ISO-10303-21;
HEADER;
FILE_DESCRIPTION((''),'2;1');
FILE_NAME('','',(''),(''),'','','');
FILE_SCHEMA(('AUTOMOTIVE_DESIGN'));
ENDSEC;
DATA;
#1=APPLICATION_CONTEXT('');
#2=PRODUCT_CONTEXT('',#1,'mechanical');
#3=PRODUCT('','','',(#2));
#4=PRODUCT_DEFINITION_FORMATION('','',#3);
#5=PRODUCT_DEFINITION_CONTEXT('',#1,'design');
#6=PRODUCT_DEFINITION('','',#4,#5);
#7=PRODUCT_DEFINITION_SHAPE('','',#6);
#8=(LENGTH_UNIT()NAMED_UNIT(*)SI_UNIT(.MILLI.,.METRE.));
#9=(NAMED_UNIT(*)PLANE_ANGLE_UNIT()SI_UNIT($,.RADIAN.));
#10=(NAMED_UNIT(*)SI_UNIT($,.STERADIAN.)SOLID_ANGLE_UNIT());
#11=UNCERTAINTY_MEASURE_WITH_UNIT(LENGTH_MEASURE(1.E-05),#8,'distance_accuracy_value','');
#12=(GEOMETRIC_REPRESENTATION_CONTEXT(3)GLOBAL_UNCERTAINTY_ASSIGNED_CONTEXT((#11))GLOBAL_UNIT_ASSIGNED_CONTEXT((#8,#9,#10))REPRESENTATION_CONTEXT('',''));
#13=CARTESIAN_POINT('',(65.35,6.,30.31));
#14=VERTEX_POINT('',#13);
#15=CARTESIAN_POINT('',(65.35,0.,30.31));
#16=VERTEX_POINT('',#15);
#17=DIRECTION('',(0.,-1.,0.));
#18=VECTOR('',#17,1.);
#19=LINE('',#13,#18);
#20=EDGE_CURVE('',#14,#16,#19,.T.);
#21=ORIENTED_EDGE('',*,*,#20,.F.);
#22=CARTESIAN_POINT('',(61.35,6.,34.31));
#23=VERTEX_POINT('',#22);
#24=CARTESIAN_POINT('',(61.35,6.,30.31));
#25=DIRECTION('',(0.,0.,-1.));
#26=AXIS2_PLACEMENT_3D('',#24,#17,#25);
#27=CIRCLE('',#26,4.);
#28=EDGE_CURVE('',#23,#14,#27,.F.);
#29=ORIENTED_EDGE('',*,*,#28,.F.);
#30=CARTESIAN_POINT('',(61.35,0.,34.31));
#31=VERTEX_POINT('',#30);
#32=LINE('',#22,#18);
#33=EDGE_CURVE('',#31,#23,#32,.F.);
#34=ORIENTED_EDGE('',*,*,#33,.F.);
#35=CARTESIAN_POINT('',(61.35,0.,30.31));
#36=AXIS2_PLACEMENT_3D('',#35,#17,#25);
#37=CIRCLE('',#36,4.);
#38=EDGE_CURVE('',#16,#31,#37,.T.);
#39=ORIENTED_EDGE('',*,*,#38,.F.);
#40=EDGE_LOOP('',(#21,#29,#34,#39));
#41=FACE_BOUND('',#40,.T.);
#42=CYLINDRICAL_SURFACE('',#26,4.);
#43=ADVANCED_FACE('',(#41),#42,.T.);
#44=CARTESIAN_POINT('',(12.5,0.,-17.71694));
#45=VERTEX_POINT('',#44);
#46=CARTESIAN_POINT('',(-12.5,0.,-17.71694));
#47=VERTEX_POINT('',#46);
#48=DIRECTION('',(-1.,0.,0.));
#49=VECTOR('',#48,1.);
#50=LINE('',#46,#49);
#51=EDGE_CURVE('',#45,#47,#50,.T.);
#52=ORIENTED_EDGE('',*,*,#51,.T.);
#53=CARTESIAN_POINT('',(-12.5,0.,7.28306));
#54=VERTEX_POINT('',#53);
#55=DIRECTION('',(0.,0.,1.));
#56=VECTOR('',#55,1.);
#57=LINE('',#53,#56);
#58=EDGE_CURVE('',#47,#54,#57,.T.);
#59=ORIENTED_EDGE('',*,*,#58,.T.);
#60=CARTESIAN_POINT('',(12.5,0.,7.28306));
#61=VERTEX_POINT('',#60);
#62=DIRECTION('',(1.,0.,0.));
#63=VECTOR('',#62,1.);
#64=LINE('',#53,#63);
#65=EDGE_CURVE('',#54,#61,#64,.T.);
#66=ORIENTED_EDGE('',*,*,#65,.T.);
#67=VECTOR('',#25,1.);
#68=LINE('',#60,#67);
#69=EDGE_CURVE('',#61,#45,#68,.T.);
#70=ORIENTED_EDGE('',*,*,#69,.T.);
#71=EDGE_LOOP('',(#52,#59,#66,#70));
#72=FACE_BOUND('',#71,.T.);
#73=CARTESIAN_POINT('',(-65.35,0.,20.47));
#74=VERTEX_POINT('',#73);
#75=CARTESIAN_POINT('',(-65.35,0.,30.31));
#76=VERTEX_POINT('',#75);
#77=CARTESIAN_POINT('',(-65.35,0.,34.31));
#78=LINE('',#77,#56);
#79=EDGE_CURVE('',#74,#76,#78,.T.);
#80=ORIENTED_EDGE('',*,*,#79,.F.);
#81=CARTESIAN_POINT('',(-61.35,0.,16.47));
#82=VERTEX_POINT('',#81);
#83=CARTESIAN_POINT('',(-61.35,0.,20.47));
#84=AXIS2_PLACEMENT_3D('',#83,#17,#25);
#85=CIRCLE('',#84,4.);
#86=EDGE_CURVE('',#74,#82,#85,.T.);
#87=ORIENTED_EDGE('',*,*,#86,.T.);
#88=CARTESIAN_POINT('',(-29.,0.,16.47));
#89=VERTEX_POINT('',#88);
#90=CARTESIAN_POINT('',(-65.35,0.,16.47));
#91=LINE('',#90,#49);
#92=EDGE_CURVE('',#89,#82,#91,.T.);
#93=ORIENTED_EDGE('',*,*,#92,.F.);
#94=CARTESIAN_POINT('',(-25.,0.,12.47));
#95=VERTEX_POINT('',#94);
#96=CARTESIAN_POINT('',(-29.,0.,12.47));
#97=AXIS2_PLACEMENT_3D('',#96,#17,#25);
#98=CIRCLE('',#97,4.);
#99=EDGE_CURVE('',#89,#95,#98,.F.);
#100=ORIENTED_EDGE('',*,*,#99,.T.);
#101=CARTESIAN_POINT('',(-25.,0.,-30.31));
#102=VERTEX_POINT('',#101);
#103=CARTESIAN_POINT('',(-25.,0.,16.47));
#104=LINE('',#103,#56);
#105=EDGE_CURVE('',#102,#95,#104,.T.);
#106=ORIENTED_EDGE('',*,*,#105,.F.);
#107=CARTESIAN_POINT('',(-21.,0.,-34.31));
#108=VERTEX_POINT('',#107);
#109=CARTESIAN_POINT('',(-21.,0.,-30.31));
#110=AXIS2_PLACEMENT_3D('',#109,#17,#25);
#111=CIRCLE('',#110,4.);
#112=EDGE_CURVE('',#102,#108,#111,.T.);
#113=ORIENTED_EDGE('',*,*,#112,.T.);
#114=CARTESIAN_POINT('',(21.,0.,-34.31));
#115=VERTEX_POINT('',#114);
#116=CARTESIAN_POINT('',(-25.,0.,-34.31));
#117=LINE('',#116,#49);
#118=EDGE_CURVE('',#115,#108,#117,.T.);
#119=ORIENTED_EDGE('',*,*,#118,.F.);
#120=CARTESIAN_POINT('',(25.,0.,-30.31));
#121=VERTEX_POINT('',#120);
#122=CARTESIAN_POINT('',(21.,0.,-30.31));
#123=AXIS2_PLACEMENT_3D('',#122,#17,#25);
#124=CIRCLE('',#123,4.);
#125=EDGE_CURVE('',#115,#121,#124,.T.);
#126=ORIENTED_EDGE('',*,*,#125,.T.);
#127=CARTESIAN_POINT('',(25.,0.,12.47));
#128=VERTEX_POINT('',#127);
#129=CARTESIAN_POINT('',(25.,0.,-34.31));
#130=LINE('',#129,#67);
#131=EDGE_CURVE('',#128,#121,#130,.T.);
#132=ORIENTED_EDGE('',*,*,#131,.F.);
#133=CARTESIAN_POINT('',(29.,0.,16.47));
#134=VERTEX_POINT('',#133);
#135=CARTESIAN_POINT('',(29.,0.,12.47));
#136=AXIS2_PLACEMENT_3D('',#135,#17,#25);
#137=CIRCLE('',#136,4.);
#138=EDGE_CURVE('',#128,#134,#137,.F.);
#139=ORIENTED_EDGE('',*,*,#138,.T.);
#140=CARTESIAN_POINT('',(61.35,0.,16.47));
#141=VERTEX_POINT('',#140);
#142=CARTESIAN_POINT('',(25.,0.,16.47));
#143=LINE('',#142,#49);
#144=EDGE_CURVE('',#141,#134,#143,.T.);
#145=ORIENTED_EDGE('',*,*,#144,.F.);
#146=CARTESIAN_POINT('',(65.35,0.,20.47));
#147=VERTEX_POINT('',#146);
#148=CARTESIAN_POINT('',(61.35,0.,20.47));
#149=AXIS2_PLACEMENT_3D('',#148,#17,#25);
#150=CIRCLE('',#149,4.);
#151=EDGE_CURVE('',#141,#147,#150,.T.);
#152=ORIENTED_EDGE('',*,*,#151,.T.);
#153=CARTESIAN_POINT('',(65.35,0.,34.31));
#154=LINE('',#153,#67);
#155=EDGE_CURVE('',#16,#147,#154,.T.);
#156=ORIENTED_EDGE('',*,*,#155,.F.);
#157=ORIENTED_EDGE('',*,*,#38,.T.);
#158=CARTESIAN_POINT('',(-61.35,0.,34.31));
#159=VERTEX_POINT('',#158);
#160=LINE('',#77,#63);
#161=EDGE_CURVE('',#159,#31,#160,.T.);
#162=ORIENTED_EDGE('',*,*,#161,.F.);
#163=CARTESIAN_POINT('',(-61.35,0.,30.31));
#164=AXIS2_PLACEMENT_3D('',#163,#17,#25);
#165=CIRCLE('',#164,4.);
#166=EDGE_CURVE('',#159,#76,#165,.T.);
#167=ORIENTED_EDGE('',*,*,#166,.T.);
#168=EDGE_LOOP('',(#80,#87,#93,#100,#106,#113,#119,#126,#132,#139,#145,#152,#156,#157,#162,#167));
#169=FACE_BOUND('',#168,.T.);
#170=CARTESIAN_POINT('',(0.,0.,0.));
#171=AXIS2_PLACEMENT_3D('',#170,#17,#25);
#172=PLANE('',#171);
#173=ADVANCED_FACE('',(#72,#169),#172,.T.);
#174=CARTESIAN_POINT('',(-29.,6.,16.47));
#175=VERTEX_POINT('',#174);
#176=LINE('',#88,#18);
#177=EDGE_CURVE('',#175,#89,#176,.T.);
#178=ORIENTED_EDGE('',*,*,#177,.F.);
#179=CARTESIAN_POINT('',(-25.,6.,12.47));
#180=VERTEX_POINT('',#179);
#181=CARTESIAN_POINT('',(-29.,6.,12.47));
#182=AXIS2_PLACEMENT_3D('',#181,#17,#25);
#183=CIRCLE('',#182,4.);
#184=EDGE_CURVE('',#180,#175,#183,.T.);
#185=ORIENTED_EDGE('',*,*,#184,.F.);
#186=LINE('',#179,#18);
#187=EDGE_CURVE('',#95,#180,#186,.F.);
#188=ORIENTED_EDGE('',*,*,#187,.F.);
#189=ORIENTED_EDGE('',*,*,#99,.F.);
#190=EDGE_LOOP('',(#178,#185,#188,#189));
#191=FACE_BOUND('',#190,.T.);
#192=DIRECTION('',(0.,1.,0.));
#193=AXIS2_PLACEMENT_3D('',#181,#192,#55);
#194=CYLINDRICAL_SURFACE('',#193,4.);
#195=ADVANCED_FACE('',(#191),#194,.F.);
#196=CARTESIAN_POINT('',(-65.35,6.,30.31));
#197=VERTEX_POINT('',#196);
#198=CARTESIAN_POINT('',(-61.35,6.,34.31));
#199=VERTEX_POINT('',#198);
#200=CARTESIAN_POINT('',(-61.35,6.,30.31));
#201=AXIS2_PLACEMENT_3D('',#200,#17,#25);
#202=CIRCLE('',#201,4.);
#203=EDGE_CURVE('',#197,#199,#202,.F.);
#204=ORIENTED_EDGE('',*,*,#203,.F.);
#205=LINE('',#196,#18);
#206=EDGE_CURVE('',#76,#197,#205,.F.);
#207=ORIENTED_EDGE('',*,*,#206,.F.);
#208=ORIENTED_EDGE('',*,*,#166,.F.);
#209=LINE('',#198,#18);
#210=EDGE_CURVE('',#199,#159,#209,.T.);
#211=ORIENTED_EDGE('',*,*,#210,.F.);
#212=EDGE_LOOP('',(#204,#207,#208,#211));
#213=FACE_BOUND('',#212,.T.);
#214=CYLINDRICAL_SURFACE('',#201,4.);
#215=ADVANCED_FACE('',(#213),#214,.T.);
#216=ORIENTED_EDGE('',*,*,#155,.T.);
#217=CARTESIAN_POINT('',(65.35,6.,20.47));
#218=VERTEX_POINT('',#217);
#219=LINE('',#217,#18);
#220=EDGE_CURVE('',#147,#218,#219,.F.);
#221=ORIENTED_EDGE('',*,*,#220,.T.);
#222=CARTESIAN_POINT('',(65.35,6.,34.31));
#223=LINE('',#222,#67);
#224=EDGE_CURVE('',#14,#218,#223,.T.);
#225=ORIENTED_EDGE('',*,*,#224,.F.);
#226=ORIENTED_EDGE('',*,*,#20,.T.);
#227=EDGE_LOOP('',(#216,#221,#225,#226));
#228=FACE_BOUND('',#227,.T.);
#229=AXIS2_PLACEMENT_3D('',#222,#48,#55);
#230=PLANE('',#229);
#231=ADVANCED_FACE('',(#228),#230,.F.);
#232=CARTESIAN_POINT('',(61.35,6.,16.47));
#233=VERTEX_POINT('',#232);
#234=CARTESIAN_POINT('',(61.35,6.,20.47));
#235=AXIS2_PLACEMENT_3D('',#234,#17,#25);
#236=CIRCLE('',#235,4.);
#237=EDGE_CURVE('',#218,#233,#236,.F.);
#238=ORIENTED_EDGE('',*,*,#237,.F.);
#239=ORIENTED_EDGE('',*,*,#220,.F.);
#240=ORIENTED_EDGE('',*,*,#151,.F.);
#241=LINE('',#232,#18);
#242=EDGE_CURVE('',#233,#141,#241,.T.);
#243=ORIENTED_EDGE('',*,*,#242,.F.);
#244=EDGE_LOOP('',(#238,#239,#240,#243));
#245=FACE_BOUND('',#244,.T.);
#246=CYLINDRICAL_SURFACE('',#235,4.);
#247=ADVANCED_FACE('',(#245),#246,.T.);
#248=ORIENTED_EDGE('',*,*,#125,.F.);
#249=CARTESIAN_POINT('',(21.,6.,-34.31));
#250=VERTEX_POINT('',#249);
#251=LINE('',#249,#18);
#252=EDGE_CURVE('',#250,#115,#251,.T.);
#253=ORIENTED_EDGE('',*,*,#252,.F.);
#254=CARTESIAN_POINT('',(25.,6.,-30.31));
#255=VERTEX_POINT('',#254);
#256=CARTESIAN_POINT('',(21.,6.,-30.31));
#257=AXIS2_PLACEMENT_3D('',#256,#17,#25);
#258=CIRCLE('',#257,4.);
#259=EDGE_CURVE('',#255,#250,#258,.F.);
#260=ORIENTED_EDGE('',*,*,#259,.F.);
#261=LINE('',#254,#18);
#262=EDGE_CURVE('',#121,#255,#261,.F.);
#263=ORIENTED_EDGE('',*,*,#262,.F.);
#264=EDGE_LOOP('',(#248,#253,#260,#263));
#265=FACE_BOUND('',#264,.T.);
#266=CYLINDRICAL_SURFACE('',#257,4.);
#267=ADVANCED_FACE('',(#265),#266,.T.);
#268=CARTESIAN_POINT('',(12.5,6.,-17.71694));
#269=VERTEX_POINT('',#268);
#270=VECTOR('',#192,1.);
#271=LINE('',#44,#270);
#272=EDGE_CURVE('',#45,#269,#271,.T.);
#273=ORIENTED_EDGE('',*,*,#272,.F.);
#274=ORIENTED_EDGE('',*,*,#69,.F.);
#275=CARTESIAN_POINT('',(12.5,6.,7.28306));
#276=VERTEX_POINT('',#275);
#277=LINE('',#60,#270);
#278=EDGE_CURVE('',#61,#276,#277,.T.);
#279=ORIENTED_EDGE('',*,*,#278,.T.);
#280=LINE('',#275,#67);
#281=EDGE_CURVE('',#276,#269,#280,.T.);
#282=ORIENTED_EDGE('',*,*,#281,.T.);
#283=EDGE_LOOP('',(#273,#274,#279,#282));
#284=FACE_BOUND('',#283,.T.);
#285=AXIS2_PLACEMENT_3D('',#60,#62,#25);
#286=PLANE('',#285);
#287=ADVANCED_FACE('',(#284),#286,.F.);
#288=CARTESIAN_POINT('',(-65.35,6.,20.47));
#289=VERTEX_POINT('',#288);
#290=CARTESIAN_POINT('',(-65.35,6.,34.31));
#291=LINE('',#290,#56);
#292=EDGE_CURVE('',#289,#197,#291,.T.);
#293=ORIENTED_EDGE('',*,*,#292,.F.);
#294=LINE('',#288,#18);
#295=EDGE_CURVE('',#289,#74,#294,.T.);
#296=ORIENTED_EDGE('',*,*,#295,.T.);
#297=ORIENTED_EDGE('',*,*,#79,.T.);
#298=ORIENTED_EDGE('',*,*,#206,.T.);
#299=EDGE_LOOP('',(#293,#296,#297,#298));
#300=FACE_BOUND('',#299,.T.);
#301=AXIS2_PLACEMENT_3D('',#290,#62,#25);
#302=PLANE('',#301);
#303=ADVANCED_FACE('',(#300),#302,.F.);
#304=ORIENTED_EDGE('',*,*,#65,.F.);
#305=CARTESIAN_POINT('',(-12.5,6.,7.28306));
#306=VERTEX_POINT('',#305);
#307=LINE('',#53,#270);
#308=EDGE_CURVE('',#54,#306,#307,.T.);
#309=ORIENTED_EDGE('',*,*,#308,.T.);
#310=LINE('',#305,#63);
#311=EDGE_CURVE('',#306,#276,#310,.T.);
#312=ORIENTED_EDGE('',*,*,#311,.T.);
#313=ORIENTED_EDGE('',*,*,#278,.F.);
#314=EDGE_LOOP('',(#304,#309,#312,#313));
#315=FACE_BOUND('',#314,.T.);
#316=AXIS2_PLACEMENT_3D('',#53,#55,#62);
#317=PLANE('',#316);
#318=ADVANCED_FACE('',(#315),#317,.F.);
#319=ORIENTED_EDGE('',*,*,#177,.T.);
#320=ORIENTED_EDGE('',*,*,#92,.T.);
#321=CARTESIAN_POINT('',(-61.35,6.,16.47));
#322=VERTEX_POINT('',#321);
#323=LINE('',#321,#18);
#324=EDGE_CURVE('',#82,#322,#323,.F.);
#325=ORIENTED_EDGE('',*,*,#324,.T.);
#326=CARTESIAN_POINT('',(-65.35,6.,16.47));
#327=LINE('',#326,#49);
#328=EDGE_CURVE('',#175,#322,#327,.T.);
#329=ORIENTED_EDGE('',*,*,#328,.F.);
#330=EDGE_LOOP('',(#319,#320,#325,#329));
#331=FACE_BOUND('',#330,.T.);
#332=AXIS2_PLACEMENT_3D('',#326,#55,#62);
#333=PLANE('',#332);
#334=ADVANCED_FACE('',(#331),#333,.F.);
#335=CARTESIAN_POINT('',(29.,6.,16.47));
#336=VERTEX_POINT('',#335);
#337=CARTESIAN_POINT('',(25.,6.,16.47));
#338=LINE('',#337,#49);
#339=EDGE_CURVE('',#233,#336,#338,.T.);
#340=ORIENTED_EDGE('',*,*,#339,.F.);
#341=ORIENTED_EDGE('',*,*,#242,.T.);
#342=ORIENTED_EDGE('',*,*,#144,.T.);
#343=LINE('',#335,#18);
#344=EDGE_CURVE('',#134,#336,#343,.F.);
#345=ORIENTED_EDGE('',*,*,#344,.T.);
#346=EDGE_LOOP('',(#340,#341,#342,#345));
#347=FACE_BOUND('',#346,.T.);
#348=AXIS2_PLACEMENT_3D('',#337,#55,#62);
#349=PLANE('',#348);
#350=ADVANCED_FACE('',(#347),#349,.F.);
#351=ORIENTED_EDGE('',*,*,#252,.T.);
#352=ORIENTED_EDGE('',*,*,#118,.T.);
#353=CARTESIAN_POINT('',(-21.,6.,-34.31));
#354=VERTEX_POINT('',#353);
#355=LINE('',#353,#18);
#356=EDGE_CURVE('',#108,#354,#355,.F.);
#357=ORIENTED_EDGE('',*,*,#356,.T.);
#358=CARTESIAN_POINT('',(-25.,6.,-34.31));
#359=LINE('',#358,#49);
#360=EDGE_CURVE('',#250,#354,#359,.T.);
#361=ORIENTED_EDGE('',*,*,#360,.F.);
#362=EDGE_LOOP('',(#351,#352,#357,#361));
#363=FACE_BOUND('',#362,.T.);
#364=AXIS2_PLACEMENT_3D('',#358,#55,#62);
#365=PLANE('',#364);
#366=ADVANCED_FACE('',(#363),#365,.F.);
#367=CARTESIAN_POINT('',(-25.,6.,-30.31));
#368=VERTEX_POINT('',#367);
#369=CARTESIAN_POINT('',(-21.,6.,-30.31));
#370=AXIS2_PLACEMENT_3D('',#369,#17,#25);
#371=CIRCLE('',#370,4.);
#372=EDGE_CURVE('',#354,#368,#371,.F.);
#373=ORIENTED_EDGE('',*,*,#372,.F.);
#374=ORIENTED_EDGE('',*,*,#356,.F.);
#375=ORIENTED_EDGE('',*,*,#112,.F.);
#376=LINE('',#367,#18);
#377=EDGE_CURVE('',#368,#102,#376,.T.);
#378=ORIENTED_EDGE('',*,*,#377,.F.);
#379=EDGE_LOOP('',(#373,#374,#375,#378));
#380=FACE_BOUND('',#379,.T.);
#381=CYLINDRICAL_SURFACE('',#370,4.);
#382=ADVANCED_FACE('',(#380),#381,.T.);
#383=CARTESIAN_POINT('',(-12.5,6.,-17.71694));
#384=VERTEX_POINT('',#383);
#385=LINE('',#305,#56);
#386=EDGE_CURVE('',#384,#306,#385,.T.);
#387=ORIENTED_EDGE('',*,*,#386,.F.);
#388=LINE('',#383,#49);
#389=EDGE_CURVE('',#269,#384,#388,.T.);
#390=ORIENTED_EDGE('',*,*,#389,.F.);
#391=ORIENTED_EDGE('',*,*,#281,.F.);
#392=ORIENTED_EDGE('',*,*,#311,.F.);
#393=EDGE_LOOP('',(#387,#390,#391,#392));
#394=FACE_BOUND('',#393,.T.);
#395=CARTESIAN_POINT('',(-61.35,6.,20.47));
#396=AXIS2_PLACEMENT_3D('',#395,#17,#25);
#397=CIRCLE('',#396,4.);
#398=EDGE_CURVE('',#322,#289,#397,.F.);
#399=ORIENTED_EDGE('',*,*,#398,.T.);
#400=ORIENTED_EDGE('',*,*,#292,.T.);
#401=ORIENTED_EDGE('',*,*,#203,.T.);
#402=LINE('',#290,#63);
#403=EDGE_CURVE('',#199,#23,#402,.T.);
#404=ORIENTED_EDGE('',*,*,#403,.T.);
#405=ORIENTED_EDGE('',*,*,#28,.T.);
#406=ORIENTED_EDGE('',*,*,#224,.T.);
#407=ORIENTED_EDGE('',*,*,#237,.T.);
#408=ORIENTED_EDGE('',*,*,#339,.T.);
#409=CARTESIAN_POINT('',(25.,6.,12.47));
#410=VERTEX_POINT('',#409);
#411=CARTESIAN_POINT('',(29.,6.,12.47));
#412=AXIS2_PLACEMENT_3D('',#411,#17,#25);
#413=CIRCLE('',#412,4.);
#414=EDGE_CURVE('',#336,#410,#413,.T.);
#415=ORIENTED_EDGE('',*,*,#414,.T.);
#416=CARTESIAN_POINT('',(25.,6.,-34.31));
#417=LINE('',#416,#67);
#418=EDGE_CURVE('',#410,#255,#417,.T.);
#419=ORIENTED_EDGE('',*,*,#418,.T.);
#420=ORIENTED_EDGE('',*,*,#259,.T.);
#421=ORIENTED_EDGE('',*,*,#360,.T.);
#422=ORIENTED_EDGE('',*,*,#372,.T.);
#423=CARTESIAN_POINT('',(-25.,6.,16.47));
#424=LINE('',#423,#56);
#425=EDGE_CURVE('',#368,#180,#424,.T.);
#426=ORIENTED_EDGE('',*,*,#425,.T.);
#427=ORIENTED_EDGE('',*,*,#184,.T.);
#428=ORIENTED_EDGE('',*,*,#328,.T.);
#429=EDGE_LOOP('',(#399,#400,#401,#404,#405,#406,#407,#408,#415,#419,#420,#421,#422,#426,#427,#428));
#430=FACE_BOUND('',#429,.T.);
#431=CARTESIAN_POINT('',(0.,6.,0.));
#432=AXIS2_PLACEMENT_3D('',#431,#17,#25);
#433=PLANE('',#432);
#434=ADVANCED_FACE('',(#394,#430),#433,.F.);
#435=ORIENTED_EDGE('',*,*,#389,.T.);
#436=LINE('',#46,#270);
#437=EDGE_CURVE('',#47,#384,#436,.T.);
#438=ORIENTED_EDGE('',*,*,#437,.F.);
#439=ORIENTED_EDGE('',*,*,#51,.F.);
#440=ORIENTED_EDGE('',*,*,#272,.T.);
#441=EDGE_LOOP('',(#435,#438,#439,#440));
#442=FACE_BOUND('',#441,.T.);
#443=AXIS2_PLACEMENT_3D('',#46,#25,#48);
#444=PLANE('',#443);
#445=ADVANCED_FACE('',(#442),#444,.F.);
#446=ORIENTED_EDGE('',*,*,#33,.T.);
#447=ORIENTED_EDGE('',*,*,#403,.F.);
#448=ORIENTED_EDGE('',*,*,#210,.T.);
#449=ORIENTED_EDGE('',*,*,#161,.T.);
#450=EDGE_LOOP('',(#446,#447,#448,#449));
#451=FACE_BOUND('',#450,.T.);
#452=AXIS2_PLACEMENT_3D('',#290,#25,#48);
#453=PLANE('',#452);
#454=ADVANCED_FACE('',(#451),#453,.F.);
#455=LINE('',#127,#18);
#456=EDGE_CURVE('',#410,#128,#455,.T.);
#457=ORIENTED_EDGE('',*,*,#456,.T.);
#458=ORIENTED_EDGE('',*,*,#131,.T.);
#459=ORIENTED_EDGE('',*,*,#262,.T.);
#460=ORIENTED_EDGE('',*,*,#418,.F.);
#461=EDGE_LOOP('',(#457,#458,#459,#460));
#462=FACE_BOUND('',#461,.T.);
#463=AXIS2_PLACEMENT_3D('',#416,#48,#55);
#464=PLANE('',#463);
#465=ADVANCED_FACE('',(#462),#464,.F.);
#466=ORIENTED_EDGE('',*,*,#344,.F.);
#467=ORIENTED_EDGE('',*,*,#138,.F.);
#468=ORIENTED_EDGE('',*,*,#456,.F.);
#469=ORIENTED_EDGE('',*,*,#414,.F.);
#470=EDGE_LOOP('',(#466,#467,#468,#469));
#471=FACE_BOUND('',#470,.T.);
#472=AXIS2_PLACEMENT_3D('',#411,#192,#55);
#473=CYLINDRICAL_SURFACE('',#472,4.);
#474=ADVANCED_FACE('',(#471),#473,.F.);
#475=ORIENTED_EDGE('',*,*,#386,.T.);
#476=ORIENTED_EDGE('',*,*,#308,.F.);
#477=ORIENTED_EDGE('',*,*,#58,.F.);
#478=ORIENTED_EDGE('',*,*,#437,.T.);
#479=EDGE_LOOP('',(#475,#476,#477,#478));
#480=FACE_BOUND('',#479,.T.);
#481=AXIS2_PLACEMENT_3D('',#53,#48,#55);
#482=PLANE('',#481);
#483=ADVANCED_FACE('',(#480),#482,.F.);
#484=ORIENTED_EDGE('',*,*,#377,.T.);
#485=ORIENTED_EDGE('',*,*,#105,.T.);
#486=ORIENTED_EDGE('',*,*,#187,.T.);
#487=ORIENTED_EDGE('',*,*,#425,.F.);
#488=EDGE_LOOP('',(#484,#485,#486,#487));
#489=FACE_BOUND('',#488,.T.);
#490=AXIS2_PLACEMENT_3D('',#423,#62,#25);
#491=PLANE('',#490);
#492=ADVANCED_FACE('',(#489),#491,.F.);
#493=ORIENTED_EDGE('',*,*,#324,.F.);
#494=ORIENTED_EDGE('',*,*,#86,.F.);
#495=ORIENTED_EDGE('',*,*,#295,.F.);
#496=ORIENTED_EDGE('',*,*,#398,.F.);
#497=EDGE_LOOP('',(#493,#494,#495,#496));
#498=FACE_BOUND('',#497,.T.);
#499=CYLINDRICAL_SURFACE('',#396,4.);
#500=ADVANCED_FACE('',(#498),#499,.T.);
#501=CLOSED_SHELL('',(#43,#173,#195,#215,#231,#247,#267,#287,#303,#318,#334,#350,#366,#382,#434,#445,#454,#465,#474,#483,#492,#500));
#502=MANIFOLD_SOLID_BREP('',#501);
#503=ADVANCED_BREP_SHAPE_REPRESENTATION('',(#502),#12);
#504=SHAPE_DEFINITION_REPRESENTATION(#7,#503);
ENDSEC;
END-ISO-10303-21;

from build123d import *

# Parameters (mm, degrees)
BOSS_EXTRUDE1_DEPTH = 6
FILLET1_R           = 4
SKETCH2_W           = 25
SKETCH2_H           = 25
CUT_EXTRUDE1_DEPTH  = 6


with BuildPart() as part:
    # Sketch1 → Boss-Extrude1 (new body)
    with BuildSketch(Plane(origin=(0, 0, 0), x_dir=(1, 0, 0), z_dir=(0, 1, 0))):
        Polygon((-65.35, -34.31), (65.35, -34.31), (65.35, -16.47), (25, -16.47), (25, 34.31), (-25, 34.31), (-25, -16.47), (-65.35, -16.47), align=None)
    extrude(amount=BOSS_EXTRUDE1_DEPTH)

    # Fillet1
    fillet1_edges = [part.edges().sort_by_distance(p)[0] for p in [
        (65.35, 3, 34.31),
        (-65.35, 3, 34.31),
        (-65.35, 3, 16.47),
        (-25, 3, 16.47),
        (-25, 3, -34.31),
        (25, 3, -34.31),
        (25, 3, 16.47),
        (65.35, 3, 16.47),
    ]]
    fillet(fillet1_edges, radius=FILLET1_R)

    # Sketch2 → Cut-Extrude1 (cut)
    with BuildSketch(Plane(origin=(0, 6, 0), x_dir=(1, 0, 0), z_dir=(0, 1, 0))):
        with Locations((0, 5.216940009)):
            Rectangle(SKETCH2_W, SKETCH2_H)
    extrude(amount=-CUT_EXTRUDE1_DEPTH, mode=Mode.SUBTRACT)


solid = part.part
